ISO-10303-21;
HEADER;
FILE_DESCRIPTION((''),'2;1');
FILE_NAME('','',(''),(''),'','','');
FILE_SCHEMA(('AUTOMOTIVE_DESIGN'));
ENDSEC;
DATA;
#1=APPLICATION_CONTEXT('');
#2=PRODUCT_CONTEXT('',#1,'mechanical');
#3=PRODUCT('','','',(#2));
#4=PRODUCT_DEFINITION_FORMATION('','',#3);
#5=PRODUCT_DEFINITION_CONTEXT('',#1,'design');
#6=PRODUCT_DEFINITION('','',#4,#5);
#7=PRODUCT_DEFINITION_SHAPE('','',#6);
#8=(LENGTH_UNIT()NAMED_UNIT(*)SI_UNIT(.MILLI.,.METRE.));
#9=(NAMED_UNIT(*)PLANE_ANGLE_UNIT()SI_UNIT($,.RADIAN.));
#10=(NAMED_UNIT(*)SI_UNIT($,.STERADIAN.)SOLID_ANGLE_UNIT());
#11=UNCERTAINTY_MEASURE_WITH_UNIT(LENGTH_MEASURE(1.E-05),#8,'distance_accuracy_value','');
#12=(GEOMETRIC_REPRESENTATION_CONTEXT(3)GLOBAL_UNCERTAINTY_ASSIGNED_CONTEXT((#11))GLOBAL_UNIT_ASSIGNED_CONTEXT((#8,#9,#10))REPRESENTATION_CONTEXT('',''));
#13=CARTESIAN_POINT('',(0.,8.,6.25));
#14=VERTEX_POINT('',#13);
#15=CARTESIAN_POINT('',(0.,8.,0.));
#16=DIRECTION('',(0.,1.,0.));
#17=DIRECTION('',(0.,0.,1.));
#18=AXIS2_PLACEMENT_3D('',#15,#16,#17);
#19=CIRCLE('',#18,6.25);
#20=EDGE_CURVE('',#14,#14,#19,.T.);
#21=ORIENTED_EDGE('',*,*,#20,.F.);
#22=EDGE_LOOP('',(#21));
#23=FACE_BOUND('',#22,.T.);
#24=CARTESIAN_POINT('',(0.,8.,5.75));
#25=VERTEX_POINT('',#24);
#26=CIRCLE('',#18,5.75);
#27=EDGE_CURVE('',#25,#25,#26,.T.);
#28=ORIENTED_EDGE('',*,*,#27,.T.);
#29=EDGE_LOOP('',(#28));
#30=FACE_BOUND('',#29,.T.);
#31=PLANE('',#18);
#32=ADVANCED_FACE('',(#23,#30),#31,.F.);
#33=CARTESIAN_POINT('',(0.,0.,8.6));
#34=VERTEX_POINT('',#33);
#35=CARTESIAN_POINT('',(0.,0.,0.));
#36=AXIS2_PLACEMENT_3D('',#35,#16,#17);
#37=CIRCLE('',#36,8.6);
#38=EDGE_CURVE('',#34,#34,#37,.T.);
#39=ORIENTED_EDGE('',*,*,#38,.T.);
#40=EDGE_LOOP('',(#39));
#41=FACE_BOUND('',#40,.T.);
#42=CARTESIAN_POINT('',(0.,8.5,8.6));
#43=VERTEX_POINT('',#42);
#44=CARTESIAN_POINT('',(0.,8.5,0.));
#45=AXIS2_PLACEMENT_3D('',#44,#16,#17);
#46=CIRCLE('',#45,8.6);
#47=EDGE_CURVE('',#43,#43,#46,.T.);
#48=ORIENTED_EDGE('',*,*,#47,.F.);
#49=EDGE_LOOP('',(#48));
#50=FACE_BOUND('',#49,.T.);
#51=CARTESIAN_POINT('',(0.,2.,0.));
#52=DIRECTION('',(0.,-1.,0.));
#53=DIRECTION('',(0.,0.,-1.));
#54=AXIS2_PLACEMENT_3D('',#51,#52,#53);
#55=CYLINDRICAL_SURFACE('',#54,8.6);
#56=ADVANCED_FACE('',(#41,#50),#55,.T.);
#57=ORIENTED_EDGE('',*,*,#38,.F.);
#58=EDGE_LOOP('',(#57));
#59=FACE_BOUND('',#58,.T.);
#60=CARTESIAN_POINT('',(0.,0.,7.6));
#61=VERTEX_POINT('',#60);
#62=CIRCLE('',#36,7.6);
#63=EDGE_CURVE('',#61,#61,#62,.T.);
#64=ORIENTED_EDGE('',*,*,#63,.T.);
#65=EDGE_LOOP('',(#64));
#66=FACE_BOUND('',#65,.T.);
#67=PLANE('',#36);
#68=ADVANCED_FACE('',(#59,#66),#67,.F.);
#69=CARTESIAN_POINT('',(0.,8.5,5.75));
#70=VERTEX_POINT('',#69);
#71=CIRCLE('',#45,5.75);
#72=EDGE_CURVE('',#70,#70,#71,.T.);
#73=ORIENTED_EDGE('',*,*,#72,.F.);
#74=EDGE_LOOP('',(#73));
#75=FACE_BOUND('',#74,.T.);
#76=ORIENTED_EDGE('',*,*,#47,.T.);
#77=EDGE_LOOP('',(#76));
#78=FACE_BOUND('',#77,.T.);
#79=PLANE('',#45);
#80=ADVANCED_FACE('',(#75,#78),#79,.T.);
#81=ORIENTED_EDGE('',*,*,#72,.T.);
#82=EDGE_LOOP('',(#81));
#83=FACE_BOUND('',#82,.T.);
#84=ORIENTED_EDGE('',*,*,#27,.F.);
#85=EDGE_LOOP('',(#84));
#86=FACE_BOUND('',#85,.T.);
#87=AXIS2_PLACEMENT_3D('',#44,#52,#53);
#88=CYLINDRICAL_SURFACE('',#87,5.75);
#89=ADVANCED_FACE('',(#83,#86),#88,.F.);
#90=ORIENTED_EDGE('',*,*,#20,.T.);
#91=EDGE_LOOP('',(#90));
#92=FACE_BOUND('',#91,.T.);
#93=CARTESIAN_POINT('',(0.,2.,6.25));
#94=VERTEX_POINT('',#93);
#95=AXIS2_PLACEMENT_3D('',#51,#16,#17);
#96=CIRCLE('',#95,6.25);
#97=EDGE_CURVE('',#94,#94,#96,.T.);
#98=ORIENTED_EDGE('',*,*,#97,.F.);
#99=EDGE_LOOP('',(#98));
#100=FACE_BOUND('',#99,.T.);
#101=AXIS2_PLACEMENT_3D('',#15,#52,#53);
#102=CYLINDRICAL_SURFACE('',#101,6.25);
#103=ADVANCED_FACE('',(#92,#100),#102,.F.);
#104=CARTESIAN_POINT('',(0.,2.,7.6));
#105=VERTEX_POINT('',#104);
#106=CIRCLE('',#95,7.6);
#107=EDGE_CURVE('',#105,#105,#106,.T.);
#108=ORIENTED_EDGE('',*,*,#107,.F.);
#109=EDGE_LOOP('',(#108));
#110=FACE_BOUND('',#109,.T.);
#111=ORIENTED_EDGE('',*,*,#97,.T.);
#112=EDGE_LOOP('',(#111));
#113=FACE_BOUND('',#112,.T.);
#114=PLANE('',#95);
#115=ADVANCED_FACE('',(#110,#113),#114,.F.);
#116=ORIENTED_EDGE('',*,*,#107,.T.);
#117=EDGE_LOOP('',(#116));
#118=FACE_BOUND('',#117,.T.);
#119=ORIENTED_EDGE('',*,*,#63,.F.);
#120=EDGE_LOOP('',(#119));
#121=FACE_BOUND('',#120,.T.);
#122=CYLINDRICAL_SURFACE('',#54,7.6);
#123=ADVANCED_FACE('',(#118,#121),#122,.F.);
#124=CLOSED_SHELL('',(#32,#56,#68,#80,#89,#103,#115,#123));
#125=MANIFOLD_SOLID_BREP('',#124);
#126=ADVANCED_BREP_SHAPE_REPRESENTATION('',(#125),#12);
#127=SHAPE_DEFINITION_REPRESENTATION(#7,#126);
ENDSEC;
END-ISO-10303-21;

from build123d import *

# Parameters (mm, degrees)
SKETCH1_R           = 8.6
SKETCH1_R_2         = 7.6
BOSS_EXTRUDE1_DEPTH = 2
SKETCH2_R           = 8.6
SKETCH2_R_2         = 6.25
BOSS_EXTRUDE2_DEPTH = 6
SKETCH3_R           = 8.6
SKETCH3_R_2         = 5.75
BOSS_EXTRUDE3_DEPTH = 0.5


with BuildPart() as part:
    # Sketch1 → Boss-Extrude1 (new body)
    with BuildSketch(Plane(origin=(0, 0, 0), x_dir=(1, 0, 0), z_dir=(0, 1, 0))):
        with Locations(Location((0, 0, 0), (0, 0, 270))):
            Circle(SKETCH1_R)
        with Locations(Location((0, 0, 0), (0, 0, 270))):
            Circle(SKETCH1_R_2, mode=Mode.SUBTRACT)
    extrude(amount=BOSS_EXTRUDE1_DEPTH)

    # Sketch2 → Boss-Extrude2 (add)
    with BuildSketch(Plane(origin=(0, 2, 0), x_dir=(1, 0, 0), z_dir=(0, 1, 0))):
        with Locations(Location((0, 0, 0), (0, 0, 270))):
            Circle(SKETCH2_R)
        with Locations(Location((0, 0, 0), (0, 0, 270))):
            Circle(SKETCH2_R_2, mode=Mode.SUBTRACT)
    extrude(amount=BOSS_EXTRUDE2_DEPTH)

    # Sketch3 → Boss-Extrude3 (add)
    with BuildSketch(Plane(origin=(0, 8, 0), x_dir=(1, 0, 0), z_dir=(0, 1, 0))):
        with Locations(Location((0, 0, 0), (0, 0, 270))):
            Circle(SKETCH3_R)
        with Locations(Location((0, 0, 0), (0, 0, 270))):
            Circle(SKETCH3_R_2, mode=Mode.SUBTRACT)
    extrude(amount=BOSS_EXTRUDE3_DEPTH)


solid = part.part
